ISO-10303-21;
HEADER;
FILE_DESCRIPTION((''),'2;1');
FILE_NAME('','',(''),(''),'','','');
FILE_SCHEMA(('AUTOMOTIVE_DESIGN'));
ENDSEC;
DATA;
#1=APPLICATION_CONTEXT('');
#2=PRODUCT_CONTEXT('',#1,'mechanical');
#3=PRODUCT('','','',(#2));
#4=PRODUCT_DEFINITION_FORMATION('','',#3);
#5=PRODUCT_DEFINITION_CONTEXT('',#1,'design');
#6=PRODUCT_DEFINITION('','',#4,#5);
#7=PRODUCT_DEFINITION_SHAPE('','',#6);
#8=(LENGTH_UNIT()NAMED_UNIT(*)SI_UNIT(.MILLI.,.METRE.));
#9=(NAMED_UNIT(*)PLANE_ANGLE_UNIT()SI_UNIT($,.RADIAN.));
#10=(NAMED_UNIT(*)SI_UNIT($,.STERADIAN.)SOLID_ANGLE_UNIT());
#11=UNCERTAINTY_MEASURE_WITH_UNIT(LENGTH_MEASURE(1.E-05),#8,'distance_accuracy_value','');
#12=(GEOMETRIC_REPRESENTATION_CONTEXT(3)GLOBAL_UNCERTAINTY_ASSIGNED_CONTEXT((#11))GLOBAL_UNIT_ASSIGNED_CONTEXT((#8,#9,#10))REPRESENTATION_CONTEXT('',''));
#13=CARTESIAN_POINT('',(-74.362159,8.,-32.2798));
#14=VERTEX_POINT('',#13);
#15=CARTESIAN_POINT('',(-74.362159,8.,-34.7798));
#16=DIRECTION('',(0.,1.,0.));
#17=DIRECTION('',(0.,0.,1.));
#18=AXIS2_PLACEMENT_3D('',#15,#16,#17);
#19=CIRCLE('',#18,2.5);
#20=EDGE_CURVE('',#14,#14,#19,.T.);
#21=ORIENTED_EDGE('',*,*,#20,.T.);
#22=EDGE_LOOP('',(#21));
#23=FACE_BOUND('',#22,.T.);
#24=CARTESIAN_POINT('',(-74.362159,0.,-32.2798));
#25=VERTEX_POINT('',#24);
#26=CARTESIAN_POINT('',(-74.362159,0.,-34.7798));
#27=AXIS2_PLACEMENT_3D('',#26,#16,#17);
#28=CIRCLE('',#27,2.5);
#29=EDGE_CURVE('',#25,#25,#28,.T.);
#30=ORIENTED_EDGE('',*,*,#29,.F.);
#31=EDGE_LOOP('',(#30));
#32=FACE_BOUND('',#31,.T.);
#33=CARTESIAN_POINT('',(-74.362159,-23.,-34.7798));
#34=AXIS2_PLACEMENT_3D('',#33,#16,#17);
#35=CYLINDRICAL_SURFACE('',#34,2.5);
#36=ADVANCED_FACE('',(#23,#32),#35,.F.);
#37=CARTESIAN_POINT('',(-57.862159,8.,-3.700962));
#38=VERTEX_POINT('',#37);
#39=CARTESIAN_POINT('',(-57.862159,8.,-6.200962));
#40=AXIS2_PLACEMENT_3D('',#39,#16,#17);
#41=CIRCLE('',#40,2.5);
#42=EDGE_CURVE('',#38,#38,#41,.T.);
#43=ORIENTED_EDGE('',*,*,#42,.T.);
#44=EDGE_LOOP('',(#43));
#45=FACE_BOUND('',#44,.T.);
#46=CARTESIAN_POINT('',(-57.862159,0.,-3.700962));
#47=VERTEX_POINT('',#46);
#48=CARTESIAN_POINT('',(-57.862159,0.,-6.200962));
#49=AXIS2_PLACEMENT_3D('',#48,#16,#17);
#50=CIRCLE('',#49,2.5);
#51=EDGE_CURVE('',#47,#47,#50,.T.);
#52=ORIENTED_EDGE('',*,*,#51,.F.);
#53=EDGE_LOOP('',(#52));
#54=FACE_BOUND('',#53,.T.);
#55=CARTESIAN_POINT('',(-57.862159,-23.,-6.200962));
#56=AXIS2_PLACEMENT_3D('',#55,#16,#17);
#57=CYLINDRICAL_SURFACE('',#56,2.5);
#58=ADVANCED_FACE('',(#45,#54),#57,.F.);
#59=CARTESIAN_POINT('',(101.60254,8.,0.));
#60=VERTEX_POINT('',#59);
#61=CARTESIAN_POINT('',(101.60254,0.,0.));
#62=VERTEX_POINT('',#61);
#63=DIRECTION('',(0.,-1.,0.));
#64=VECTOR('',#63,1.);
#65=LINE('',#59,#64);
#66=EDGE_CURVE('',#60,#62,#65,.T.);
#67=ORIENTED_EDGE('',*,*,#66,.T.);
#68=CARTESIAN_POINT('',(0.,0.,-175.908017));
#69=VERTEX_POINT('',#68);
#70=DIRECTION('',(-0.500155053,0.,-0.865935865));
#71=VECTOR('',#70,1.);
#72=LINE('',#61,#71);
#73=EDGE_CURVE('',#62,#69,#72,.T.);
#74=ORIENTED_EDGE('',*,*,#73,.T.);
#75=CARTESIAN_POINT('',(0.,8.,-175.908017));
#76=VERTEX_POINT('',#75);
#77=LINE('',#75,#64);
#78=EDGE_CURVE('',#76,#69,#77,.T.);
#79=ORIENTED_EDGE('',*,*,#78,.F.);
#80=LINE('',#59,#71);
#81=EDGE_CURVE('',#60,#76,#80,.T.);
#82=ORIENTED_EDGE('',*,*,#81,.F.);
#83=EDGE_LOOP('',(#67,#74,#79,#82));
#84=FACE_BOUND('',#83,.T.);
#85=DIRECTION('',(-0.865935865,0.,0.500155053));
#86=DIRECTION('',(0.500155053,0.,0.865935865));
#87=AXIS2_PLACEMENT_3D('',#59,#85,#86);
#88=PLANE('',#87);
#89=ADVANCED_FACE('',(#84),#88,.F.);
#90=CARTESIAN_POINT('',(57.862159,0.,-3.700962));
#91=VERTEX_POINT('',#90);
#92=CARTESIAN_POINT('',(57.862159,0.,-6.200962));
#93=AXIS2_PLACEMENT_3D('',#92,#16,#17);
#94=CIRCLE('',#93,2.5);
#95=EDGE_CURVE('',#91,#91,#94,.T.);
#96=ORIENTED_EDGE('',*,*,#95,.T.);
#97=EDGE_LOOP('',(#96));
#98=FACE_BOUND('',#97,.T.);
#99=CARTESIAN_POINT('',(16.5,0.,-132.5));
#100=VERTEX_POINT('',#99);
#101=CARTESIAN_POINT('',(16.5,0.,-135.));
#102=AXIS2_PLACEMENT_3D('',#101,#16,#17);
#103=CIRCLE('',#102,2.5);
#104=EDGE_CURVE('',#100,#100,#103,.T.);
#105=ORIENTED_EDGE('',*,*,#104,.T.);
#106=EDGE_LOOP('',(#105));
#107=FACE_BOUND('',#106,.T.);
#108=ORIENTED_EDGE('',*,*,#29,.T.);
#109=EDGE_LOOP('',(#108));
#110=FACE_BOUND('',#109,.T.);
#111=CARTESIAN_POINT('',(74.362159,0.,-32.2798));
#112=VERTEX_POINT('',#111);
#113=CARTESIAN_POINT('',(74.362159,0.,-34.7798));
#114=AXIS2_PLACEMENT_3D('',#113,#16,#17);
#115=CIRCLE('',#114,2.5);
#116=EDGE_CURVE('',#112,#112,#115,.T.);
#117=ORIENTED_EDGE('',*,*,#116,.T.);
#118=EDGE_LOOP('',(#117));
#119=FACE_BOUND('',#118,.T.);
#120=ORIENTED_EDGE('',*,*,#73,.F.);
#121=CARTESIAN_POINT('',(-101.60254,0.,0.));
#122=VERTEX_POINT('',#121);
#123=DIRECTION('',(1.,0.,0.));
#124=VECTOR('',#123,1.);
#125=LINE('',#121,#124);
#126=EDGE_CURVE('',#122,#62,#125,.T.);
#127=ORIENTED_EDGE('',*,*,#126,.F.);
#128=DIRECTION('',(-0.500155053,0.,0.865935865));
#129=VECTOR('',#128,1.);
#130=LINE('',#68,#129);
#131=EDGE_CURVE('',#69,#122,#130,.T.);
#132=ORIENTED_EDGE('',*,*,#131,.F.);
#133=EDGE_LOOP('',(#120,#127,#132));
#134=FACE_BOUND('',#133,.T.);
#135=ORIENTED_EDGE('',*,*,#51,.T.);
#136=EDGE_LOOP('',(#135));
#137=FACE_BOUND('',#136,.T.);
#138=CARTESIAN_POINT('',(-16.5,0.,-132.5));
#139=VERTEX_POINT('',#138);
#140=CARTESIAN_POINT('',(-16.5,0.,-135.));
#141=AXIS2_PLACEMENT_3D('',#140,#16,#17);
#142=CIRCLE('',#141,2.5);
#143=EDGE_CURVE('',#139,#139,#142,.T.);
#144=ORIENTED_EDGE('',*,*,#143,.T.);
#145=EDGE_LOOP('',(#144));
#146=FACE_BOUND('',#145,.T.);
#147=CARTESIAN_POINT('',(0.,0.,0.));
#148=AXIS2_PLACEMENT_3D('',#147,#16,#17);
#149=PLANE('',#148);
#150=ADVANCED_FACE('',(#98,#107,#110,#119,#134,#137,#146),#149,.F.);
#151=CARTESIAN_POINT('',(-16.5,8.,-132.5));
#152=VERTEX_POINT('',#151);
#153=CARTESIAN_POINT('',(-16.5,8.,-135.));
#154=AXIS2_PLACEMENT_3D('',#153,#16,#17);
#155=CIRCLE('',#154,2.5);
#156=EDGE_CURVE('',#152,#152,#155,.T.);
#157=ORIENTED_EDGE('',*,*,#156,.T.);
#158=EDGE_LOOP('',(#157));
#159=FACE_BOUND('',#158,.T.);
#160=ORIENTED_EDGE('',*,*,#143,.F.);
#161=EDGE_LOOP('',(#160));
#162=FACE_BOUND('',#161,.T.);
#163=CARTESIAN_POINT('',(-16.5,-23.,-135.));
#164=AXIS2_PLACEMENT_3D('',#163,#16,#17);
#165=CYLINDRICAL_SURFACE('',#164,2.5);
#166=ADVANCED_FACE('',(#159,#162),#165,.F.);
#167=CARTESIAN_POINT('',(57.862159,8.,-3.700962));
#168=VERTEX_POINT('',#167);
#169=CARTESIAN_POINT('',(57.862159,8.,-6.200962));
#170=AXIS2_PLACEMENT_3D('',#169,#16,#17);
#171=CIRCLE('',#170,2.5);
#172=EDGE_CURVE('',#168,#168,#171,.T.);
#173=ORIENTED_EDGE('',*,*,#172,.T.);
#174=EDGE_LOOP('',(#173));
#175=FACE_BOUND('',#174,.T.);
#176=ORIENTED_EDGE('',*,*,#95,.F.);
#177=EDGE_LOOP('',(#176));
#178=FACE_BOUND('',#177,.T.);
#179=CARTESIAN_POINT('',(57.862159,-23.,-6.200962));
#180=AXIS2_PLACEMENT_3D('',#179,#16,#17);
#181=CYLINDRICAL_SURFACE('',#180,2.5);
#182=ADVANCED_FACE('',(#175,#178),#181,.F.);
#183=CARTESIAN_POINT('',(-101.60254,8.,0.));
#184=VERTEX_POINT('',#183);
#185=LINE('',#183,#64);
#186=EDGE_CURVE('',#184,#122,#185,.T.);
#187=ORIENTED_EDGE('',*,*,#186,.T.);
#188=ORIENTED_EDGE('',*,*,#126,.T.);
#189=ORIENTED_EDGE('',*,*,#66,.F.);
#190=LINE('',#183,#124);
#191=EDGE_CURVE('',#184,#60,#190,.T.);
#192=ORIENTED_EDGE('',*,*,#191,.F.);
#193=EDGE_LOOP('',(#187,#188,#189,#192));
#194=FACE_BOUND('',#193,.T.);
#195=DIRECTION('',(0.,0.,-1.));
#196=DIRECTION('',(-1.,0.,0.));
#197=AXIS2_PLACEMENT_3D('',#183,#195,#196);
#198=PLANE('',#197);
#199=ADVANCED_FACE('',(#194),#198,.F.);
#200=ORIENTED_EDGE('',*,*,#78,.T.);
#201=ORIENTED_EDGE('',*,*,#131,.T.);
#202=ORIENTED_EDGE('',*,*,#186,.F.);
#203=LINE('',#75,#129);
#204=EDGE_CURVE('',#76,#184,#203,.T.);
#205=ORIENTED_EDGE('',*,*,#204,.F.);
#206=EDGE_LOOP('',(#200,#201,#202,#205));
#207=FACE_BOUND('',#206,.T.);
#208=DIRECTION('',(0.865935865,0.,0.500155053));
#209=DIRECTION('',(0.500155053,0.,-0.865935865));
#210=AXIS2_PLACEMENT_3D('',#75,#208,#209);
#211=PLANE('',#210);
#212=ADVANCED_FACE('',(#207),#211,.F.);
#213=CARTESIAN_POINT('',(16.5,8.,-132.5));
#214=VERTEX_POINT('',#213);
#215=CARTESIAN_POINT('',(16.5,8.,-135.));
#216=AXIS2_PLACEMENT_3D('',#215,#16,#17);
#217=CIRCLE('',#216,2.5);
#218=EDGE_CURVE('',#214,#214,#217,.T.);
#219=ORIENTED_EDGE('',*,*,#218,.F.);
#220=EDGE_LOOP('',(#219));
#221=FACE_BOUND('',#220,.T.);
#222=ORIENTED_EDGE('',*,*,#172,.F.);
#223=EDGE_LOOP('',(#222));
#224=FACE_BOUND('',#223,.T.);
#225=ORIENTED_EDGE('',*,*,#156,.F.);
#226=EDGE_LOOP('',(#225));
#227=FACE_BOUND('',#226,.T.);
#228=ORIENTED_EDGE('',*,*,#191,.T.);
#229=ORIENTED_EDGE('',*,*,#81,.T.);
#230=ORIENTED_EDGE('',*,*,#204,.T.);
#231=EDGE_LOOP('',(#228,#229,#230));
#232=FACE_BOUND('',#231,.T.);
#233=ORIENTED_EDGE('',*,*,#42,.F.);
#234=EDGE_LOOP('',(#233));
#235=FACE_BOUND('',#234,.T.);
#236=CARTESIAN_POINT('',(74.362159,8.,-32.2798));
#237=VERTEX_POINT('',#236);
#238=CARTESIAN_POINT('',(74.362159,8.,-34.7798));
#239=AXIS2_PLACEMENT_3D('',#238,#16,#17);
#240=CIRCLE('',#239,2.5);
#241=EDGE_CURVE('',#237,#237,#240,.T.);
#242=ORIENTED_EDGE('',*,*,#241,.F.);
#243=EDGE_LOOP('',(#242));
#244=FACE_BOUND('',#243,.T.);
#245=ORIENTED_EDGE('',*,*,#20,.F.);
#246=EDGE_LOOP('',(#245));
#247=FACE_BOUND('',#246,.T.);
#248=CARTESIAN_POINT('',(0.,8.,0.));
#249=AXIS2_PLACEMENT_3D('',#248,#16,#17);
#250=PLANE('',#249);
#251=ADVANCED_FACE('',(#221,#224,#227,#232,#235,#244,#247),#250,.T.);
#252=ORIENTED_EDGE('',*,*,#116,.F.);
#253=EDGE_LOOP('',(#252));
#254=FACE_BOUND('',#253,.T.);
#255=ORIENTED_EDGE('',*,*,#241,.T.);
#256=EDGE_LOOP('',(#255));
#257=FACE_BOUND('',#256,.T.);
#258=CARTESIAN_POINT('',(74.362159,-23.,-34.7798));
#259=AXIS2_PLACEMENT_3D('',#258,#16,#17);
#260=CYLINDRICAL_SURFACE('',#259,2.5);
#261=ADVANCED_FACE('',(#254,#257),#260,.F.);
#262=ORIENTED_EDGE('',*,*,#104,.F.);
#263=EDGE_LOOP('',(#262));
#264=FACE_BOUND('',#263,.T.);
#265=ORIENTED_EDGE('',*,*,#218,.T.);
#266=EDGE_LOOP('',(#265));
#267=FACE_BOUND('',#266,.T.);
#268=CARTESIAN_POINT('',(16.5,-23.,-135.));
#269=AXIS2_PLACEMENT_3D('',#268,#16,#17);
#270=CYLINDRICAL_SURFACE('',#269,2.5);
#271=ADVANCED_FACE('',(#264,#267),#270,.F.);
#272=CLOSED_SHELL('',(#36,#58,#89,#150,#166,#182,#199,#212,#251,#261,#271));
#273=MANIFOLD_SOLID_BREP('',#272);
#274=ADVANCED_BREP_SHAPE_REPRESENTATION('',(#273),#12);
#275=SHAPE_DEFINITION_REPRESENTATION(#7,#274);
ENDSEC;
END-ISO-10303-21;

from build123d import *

# Parameters (mm, degrees)
SALIENTE_EXTRUIR2_DEPTH = 8
CROQUIS3_R              = 2.5
CORTAR_EXTRUIR1_DEPTH   = 31


with BuildPart() as part:
    # Croquis1 → Saliente-Extruir2 (new body)
    with BuildSketch(Plane(origin=(0, 0, 0), x_dir=(1, 0, 0), z_dir=(0, 1, 0))):
        Polygon((101.602540378, 0), (0, 175.908017141), (-101.602540378, 0), align=None)
    extrude(amount=SALIENTE_EXTRUIR2_DEPTH)

    # Croquis3 → Cortar-Extruir1 (cut)
    with BuildSketch(Plane(origin=(0, 8, 0), x_dir=(1, 0, 0), z_dir=(0, 1, 0))):
        with Locations(Location((-16.5, 135, 0), (0, 0, 270))):
            Circle(CROQUIS3_R)
        with Locations(Location((16.5, 135, 0), (0, 0, 270))):
            Circle(CROQUIS3_R)
        with Locations(Location((-57.862159322, 6.200961894, 0), (0, 0, 270))):
            Circle(CROQUIS3_R)
        with Locations(Location((-74.362159322, 34.779800219, 0), (0, 0, 270))):
            Circle(CROQUIS3_R)
        with Locations(Location((57.862159322, 6.200961894, 0), (0, 0, 270))):
            Circle(CROQUIS3_R)
        with Locations(Location((74.362159322, 34.779800219, 0), (0, 0, 270))):
            Circle(CROQUIS3_R)
    extrude(amount=-CORTAR_EXTRUIR1_DEPTH, mode=Mode.SUBTRACT)


solid = part.part
